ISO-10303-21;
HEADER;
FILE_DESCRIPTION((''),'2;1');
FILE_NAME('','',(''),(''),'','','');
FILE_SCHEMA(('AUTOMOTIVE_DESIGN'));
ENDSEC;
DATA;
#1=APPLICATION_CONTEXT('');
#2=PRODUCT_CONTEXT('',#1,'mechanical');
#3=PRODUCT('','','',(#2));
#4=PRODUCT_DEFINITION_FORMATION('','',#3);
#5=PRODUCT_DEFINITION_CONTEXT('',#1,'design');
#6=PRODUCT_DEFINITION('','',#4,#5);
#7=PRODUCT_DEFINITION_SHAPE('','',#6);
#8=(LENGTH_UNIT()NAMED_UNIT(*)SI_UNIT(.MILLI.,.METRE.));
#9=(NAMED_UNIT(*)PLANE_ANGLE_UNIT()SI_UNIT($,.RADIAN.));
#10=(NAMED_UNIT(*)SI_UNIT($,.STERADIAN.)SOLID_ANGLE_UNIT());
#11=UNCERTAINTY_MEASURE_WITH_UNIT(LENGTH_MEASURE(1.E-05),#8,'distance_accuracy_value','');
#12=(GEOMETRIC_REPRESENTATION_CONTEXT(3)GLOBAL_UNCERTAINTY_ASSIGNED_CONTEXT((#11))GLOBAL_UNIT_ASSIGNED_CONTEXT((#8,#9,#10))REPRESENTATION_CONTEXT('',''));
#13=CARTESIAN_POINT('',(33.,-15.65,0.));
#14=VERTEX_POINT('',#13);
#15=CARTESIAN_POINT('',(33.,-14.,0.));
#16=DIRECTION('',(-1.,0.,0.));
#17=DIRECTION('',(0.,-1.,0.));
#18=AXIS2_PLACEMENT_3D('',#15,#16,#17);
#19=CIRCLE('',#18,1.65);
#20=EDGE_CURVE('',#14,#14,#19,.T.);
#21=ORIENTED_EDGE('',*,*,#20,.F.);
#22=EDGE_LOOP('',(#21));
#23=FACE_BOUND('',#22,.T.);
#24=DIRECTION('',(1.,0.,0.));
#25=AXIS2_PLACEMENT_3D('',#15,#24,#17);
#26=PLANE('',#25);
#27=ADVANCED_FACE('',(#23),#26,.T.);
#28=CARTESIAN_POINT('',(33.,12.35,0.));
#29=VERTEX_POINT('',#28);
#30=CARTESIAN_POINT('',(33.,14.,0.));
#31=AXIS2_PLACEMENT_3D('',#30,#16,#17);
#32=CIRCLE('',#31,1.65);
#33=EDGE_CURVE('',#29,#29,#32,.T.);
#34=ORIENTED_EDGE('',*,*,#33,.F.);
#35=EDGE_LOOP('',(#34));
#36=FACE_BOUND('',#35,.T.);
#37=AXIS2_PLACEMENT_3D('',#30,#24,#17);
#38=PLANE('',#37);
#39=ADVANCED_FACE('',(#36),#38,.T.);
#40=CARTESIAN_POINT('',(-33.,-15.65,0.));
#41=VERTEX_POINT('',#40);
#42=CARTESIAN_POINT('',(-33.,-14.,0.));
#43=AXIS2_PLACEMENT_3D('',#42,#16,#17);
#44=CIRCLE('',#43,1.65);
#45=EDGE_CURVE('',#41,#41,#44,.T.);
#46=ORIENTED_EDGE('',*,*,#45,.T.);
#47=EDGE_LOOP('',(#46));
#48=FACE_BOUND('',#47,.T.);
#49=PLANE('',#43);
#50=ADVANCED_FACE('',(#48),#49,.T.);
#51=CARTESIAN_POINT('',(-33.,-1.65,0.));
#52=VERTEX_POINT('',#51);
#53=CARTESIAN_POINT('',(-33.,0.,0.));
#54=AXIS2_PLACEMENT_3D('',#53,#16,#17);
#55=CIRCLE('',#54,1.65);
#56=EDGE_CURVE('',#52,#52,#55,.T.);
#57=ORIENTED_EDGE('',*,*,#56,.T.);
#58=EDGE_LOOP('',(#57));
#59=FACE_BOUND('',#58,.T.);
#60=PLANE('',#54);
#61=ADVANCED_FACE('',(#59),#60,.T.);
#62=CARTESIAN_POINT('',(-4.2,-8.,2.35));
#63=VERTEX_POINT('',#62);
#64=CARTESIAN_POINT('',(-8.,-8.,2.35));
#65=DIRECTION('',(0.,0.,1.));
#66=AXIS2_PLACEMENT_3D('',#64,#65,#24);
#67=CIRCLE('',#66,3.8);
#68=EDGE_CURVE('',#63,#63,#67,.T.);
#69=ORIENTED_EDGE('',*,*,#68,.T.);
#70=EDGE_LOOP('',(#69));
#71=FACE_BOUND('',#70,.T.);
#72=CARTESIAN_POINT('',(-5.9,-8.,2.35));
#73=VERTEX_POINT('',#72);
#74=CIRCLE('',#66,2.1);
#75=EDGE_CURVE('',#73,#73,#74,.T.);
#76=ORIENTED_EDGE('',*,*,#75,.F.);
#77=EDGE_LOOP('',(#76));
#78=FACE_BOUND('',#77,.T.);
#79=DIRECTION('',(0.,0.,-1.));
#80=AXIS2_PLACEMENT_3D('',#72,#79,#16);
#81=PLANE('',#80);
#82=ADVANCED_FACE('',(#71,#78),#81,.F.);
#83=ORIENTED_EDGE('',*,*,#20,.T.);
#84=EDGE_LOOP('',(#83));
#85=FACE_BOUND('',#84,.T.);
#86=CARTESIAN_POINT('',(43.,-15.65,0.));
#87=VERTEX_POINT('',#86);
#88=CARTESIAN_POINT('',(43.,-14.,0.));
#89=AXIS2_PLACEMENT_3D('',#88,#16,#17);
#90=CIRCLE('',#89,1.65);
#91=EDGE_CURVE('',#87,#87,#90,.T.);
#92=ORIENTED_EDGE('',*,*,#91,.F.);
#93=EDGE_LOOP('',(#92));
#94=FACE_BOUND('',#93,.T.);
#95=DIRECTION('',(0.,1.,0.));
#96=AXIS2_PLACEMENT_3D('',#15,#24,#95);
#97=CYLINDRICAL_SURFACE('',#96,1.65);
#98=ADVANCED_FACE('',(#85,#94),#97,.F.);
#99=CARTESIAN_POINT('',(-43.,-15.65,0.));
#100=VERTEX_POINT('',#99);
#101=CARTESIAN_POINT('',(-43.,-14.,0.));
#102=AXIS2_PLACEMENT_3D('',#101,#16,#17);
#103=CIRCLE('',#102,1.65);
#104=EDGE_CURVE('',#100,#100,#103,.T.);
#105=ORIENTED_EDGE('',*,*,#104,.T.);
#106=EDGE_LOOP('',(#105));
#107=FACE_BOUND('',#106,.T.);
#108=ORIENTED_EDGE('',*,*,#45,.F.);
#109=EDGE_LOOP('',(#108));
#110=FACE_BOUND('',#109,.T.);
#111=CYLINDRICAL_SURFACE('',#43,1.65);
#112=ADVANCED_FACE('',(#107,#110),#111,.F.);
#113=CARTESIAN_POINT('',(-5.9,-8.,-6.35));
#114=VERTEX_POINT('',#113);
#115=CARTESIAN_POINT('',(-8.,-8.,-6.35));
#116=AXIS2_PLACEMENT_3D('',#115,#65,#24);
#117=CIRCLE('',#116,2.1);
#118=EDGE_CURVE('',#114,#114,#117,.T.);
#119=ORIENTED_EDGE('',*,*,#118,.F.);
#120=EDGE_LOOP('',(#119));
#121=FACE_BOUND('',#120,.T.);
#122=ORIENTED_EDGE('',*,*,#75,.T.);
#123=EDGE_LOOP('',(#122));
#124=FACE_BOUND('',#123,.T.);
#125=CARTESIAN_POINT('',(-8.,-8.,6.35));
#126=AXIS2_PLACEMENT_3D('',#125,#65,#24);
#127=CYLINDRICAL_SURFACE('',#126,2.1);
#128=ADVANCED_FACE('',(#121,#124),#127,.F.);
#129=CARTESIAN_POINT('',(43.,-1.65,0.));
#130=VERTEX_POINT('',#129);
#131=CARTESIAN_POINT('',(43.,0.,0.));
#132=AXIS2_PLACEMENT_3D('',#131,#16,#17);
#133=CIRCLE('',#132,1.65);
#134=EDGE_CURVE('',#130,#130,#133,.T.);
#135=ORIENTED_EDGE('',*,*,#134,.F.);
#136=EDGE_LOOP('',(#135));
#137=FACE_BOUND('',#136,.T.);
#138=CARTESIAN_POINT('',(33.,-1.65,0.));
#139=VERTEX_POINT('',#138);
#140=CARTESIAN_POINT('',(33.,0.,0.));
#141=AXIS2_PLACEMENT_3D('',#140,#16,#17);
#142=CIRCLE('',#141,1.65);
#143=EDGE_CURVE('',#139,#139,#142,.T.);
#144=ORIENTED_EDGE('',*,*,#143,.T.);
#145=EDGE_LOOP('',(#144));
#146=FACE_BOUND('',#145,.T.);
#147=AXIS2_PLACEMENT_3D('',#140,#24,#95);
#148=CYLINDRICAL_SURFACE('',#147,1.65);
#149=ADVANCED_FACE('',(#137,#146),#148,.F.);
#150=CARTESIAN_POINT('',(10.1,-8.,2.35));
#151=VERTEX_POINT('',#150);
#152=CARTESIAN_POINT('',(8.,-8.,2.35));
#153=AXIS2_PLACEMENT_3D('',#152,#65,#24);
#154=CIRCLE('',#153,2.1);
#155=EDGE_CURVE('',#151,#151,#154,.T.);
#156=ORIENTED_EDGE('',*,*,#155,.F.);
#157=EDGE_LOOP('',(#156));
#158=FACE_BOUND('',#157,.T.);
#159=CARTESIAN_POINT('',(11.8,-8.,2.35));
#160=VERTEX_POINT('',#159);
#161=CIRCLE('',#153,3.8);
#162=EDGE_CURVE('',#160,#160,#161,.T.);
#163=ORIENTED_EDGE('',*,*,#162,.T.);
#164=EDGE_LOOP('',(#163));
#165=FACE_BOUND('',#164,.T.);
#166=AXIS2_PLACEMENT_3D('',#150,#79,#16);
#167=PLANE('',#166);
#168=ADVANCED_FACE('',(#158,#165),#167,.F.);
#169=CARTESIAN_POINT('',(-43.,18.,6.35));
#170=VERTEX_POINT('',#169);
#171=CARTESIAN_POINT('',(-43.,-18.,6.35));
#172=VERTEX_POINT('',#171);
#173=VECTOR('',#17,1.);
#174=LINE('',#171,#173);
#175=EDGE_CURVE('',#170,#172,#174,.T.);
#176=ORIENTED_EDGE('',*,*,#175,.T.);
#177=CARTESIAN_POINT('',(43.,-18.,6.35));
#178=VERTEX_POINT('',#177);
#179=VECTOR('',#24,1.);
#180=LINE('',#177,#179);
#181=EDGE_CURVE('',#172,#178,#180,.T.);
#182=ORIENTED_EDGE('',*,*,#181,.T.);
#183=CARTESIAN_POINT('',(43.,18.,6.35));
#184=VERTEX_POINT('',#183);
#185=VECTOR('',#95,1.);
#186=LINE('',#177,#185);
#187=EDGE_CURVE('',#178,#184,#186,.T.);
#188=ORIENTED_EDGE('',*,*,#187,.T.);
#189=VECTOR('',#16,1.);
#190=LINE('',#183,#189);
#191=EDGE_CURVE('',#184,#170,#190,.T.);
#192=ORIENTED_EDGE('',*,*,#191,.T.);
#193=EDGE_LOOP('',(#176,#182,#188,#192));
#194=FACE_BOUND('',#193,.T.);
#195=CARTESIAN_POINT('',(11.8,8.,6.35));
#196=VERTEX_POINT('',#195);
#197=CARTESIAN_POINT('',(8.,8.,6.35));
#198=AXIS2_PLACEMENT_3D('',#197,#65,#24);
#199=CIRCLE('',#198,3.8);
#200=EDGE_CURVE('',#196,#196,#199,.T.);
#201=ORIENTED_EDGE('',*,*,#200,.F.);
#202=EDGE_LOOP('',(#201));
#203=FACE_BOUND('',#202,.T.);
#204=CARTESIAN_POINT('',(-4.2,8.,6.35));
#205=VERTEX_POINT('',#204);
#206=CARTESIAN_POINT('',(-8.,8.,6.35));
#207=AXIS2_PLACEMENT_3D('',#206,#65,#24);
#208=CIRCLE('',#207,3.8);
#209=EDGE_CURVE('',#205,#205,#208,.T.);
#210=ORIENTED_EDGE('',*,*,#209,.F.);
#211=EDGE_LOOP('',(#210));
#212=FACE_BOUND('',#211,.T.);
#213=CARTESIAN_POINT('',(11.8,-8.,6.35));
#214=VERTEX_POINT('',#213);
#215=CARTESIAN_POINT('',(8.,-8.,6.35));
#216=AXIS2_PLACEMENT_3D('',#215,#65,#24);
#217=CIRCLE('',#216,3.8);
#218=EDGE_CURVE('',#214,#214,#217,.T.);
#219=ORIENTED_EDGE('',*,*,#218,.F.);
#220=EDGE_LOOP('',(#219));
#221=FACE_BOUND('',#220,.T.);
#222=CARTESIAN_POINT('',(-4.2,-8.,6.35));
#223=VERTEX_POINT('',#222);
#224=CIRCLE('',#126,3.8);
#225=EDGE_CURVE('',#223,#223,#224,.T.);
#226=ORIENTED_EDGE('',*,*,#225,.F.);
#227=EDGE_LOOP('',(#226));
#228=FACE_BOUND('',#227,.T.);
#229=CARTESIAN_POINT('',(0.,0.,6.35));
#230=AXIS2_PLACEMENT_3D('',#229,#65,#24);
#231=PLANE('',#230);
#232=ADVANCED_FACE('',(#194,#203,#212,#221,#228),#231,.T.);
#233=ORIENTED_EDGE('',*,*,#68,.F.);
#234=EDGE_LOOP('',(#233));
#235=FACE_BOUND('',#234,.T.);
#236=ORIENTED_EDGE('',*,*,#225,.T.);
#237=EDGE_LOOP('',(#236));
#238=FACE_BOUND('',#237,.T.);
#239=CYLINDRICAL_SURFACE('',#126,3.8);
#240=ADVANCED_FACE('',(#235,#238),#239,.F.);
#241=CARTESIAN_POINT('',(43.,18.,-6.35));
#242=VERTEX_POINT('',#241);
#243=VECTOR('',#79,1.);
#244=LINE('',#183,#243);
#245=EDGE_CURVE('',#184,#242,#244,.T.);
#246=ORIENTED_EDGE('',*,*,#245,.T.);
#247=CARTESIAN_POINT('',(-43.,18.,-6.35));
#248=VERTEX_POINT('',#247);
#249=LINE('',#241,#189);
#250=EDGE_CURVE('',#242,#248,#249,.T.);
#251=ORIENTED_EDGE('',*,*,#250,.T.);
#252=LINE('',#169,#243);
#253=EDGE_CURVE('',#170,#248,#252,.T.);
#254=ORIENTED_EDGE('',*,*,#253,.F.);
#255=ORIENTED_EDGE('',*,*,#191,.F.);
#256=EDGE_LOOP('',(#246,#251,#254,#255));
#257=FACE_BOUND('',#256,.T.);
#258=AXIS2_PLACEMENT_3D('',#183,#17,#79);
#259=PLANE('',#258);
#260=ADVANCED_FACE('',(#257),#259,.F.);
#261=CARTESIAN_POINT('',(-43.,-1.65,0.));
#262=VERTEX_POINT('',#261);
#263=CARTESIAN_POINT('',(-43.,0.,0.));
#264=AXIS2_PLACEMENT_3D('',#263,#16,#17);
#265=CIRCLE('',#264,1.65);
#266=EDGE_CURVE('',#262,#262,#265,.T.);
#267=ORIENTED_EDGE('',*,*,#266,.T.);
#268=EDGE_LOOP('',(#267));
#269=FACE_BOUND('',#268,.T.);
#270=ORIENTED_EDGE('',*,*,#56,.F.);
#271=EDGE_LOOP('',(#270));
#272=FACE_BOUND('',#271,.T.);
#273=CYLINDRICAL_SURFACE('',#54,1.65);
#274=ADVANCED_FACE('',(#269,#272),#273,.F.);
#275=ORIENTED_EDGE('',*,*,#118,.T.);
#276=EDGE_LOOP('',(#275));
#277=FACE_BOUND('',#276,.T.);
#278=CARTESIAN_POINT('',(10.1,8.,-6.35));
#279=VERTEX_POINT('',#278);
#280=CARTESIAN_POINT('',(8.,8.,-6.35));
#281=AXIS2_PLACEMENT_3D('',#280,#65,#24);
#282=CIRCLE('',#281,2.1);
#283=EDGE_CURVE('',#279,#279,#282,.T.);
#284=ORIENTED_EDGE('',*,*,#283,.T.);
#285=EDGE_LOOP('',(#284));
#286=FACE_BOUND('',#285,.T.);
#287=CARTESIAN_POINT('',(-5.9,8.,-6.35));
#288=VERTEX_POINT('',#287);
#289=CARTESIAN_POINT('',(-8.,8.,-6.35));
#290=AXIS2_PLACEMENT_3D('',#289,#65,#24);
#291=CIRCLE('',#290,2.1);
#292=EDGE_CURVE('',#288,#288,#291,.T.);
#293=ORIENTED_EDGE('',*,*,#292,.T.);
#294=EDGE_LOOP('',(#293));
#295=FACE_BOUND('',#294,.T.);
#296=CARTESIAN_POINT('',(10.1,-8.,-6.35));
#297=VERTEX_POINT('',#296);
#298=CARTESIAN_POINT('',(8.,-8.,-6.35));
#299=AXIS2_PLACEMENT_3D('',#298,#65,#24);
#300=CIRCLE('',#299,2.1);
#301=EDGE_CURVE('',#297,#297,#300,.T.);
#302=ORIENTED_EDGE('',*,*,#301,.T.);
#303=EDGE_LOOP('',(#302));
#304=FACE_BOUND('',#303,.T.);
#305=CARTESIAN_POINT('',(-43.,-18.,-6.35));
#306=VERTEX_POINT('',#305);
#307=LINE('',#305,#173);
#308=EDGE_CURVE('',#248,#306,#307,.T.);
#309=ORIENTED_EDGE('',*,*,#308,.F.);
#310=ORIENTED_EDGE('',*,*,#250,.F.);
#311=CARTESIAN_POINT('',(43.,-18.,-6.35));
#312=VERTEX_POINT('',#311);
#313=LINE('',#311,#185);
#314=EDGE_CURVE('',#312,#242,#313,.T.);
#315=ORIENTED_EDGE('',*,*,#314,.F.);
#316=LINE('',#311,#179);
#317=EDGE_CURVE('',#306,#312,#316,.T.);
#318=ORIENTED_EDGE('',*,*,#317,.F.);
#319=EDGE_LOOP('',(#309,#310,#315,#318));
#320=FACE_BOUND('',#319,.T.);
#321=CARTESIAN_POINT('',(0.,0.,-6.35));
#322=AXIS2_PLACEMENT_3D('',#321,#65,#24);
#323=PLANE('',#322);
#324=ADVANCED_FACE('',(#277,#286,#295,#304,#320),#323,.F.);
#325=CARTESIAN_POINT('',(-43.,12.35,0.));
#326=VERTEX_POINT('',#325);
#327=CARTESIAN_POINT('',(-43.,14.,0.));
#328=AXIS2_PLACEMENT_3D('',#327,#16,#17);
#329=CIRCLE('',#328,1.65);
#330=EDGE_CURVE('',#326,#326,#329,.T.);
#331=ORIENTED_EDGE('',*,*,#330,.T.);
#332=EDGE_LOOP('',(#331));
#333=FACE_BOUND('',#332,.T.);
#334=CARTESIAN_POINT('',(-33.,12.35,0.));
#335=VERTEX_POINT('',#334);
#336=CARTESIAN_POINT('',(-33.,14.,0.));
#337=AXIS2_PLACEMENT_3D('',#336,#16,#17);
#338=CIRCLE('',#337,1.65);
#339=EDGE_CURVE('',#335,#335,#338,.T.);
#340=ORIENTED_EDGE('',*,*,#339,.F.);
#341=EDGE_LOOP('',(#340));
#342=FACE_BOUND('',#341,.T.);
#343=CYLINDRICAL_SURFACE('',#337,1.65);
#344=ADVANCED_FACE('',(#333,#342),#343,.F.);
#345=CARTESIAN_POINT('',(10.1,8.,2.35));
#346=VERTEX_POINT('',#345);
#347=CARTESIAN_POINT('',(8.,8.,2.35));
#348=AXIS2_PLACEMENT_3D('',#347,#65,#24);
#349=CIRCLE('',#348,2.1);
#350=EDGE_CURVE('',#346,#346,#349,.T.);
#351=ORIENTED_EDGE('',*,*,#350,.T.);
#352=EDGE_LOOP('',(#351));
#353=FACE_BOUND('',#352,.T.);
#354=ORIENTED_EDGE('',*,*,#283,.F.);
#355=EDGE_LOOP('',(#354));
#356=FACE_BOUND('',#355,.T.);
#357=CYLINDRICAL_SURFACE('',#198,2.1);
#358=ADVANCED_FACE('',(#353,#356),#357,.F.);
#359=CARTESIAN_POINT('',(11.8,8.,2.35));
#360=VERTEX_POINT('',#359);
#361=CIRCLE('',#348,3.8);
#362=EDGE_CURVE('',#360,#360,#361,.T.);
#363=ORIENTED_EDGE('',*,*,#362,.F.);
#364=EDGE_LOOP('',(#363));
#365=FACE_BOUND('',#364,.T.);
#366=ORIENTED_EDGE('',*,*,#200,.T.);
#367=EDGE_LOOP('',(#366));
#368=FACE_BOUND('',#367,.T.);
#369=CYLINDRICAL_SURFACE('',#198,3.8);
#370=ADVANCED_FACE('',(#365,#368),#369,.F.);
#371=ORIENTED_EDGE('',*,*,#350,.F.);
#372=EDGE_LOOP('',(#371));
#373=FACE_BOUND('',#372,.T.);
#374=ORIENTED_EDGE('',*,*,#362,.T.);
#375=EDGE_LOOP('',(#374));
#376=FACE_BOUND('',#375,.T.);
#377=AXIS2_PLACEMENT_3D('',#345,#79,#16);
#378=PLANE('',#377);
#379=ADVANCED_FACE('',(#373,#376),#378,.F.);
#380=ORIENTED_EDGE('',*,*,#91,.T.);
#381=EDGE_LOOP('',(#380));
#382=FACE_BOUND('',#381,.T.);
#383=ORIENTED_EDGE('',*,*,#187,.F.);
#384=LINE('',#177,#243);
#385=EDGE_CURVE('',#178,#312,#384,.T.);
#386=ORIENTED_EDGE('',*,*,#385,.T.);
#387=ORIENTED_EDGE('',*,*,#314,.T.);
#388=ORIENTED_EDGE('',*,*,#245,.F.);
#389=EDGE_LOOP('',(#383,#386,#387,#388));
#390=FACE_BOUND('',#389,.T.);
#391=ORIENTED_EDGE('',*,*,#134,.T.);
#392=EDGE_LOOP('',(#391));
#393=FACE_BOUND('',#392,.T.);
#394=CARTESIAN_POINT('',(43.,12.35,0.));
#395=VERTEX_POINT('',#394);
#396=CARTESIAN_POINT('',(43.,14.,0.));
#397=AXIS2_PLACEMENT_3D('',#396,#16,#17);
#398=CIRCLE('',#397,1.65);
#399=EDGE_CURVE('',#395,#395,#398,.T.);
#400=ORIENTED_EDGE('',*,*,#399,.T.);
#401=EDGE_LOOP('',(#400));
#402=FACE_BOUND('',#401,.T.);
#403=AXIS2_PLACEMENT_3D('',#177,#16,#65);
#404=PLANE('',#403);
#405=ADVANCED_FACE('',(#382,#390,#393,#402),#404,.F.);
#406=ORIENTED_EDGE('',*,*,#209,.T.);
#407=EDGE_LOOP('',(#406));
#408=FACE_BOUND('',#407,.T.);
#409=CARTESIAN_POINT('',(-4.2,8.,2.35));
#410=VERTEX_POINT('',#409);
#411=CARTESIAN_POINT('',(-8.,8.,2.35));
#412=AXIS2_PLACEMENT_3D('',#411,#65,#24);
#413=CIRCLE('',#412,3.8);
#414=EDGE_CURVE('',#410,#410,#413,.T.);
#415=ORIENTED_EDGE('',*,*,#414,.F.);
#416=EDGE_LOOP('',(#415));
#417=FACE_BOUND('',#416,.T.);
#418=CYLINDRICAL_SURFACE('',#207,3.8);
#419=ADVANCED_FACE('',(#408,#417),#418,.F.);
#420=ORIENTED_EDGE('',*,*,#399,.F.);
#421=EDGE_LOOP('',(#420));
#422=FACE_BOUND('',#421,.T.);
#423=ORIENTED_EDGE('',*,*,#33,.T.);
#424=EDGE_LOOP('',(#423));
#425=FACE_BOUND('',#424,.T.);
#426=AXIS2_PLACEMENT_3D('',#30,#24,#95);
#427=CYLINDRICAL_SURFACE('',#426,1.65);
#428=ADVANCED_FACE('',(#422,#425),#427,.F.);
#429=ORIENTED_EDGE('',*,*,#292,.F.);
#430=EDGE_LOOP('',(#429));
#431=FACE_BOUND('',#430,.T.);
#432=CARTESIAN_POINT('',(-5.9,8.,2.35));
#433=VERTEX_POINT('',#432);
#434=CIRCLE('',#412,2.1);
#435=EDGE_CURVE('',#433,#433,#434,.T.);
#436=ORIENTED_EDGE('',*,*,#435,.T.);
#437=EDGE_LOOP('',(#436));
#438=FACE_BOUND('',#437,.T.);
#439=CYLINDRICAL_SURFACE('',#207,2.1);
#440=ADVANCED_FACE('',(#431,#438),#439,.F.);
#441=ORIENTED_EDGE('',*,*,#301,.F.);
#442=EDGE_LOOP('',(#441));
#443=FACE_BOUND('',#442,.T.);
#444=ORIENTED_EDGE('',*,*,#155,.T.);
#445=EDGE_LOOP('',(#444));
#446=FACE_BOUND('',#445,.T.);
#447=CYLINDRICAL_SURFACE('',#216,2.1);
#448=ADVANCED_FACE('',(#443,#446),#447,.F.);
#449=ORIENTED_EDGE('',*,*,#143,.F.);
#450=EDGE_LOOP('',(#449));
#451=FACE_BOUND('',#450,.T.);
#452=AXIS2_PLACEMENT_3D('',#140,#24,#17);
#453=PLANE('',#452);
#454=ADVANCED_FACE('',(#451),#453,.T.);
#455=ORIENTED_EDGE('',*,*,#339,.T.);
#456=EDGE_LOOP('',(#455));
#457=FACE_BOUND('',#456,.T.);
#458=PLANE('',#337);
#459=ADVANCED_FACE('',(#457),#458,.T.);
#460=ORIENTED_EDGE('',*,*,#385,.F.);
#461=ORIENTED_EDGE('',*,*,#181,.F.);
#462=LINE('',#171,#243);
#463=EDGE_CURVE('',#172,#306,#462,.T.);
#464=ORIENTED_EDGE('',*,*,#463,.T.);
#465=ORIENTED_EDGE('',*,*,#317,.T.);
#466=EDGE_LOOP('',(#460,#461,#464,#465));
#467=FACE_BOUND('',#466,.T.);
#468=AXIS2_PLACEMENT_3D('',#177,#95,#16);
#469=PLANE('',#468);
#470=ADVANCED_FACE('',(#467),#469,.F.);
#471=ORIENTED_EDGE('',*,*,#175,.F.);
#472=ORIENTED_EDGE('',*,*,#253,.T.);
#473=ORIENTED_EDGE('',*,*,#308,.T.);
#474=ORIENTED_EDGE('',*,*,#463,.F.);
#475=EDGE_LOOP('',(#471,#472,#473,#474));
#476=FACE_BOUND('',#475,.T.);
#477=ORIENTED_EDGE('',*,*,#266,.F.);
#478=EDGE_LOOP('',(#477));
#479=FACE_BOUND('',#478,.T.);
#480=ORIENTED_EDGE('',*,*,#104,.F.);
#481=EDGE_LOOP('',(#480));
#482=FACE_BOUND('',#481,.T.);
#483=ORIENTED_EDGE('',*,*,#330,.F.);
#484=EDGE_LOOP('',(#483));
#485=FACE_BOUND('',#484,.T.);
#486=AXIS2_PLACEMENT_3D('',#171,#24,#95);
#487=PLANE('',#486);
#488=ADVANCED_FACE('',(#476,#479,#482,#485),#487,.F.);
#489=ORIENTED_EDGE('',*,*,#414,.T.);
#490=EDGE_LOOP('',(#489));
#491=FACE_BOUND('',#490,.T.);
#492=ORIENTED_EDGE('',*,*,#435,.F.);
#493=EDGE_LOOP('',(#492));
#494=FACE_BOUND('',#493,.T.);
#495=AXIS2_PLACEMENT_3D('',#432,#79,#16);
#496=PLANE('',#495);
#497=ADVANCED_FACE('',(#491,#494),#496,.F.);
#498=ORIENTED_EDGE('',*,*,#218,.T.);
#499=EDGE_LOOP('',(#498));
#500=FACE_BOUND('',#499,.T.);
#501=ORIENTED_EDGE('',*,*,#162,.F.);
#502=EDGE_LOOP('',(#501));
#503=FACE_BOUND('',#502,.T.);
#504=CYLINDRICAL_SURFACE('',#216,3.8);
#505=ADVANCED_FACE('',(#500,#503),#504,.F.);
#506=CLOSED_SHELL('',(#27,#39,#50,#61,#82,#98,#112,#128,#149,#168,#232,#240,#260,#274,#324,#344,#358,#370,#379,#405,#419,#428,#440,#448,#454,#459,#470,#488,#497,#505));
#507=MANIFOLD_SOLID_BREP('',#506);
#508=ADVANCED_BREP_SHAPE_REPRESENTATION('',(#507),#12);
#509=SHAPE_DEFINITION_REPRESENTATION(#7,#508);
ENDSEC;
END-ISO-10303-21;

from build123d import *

# Parameters (mm, degrees)
SKETCH1_W                                    = 86
SKETCH1_H                                    = 36
BOSS_EXTRUDE1_DEPTH                          = 6.35
CBORE_FOR_M4_HEX_HEAD_CAP_SCREW2_D           = 4.2
CBORE_FOR_M4_HEX_HEAD_CAP_SCREW2_CBORE_D     = 7.6
CBORE_FOR_M4_HEX_HEAD_CAP_SCREW2_CBORE_DEPTH = 4
SKETCH6_R                                    = 1.65
CUT_EXTRUDE1_DEPTH                           = 10


with BuildPart() as part:
    # Sketch1 → Boss-Extrude1 (new, symmetric)
    with BuildSketch(Plane.XY):
        Rectangle(SKETCH1_W, SKETCH1_H)
    extrude(amount=BOSS_EXTRUDE1_DEPTH, both=True)

    # CBORE for M4 Hex Head Cap Screw2 (through all)
    with Locations(Plane(origin=(-8, 8, 6.35), x_dir=(1, 0, 0), z_dir=(0, 0, 1))):
        with Locations((0, 0), (0, -16), (16, -16), (16, 0)):
            CounterBoreHole(CBORE_FOR_M4_HEX_HEAD_CAP_SCREW2_D / 2, CBORE_FOR_M4_HEX_HEAD_CAP_SCREW2_CBORE_D / 2, CBORE_FOR_M4_HEX_HEAD_CAP_SCREW2_CBORE_DEPTH)

    # Sketch6 → Cut-Extrude1 (cut)
    with BuildSketch(Plane.ZY.offset(43)):
        with Locations(Location((0, 14, 0), (0, 0, 270))):
            Circle(SKETCH6_R)
        with Locations(Location((0, -14, 0), (0, 0, 270))):
            Circle(SKETCH6_R)
        with Locations(Location((0, 0, 0), (0, 0, 270))):
            Circle(SKETCH6_R)
    cut_extrude1 = extrude(amount=-CUT_EXTRUDE1_DEPTH, mode=Mode.SUBTRACT)

    # Mirror1: Cut-Extrude1 across plane
    add(cut_extrude1.mirror(Plane(origin=(0, 0, 0), x_dir=(0, 0, 1), z_dir=(1, 0, 0))), mode=Mode.SUBTRACT)


solid = part.part
